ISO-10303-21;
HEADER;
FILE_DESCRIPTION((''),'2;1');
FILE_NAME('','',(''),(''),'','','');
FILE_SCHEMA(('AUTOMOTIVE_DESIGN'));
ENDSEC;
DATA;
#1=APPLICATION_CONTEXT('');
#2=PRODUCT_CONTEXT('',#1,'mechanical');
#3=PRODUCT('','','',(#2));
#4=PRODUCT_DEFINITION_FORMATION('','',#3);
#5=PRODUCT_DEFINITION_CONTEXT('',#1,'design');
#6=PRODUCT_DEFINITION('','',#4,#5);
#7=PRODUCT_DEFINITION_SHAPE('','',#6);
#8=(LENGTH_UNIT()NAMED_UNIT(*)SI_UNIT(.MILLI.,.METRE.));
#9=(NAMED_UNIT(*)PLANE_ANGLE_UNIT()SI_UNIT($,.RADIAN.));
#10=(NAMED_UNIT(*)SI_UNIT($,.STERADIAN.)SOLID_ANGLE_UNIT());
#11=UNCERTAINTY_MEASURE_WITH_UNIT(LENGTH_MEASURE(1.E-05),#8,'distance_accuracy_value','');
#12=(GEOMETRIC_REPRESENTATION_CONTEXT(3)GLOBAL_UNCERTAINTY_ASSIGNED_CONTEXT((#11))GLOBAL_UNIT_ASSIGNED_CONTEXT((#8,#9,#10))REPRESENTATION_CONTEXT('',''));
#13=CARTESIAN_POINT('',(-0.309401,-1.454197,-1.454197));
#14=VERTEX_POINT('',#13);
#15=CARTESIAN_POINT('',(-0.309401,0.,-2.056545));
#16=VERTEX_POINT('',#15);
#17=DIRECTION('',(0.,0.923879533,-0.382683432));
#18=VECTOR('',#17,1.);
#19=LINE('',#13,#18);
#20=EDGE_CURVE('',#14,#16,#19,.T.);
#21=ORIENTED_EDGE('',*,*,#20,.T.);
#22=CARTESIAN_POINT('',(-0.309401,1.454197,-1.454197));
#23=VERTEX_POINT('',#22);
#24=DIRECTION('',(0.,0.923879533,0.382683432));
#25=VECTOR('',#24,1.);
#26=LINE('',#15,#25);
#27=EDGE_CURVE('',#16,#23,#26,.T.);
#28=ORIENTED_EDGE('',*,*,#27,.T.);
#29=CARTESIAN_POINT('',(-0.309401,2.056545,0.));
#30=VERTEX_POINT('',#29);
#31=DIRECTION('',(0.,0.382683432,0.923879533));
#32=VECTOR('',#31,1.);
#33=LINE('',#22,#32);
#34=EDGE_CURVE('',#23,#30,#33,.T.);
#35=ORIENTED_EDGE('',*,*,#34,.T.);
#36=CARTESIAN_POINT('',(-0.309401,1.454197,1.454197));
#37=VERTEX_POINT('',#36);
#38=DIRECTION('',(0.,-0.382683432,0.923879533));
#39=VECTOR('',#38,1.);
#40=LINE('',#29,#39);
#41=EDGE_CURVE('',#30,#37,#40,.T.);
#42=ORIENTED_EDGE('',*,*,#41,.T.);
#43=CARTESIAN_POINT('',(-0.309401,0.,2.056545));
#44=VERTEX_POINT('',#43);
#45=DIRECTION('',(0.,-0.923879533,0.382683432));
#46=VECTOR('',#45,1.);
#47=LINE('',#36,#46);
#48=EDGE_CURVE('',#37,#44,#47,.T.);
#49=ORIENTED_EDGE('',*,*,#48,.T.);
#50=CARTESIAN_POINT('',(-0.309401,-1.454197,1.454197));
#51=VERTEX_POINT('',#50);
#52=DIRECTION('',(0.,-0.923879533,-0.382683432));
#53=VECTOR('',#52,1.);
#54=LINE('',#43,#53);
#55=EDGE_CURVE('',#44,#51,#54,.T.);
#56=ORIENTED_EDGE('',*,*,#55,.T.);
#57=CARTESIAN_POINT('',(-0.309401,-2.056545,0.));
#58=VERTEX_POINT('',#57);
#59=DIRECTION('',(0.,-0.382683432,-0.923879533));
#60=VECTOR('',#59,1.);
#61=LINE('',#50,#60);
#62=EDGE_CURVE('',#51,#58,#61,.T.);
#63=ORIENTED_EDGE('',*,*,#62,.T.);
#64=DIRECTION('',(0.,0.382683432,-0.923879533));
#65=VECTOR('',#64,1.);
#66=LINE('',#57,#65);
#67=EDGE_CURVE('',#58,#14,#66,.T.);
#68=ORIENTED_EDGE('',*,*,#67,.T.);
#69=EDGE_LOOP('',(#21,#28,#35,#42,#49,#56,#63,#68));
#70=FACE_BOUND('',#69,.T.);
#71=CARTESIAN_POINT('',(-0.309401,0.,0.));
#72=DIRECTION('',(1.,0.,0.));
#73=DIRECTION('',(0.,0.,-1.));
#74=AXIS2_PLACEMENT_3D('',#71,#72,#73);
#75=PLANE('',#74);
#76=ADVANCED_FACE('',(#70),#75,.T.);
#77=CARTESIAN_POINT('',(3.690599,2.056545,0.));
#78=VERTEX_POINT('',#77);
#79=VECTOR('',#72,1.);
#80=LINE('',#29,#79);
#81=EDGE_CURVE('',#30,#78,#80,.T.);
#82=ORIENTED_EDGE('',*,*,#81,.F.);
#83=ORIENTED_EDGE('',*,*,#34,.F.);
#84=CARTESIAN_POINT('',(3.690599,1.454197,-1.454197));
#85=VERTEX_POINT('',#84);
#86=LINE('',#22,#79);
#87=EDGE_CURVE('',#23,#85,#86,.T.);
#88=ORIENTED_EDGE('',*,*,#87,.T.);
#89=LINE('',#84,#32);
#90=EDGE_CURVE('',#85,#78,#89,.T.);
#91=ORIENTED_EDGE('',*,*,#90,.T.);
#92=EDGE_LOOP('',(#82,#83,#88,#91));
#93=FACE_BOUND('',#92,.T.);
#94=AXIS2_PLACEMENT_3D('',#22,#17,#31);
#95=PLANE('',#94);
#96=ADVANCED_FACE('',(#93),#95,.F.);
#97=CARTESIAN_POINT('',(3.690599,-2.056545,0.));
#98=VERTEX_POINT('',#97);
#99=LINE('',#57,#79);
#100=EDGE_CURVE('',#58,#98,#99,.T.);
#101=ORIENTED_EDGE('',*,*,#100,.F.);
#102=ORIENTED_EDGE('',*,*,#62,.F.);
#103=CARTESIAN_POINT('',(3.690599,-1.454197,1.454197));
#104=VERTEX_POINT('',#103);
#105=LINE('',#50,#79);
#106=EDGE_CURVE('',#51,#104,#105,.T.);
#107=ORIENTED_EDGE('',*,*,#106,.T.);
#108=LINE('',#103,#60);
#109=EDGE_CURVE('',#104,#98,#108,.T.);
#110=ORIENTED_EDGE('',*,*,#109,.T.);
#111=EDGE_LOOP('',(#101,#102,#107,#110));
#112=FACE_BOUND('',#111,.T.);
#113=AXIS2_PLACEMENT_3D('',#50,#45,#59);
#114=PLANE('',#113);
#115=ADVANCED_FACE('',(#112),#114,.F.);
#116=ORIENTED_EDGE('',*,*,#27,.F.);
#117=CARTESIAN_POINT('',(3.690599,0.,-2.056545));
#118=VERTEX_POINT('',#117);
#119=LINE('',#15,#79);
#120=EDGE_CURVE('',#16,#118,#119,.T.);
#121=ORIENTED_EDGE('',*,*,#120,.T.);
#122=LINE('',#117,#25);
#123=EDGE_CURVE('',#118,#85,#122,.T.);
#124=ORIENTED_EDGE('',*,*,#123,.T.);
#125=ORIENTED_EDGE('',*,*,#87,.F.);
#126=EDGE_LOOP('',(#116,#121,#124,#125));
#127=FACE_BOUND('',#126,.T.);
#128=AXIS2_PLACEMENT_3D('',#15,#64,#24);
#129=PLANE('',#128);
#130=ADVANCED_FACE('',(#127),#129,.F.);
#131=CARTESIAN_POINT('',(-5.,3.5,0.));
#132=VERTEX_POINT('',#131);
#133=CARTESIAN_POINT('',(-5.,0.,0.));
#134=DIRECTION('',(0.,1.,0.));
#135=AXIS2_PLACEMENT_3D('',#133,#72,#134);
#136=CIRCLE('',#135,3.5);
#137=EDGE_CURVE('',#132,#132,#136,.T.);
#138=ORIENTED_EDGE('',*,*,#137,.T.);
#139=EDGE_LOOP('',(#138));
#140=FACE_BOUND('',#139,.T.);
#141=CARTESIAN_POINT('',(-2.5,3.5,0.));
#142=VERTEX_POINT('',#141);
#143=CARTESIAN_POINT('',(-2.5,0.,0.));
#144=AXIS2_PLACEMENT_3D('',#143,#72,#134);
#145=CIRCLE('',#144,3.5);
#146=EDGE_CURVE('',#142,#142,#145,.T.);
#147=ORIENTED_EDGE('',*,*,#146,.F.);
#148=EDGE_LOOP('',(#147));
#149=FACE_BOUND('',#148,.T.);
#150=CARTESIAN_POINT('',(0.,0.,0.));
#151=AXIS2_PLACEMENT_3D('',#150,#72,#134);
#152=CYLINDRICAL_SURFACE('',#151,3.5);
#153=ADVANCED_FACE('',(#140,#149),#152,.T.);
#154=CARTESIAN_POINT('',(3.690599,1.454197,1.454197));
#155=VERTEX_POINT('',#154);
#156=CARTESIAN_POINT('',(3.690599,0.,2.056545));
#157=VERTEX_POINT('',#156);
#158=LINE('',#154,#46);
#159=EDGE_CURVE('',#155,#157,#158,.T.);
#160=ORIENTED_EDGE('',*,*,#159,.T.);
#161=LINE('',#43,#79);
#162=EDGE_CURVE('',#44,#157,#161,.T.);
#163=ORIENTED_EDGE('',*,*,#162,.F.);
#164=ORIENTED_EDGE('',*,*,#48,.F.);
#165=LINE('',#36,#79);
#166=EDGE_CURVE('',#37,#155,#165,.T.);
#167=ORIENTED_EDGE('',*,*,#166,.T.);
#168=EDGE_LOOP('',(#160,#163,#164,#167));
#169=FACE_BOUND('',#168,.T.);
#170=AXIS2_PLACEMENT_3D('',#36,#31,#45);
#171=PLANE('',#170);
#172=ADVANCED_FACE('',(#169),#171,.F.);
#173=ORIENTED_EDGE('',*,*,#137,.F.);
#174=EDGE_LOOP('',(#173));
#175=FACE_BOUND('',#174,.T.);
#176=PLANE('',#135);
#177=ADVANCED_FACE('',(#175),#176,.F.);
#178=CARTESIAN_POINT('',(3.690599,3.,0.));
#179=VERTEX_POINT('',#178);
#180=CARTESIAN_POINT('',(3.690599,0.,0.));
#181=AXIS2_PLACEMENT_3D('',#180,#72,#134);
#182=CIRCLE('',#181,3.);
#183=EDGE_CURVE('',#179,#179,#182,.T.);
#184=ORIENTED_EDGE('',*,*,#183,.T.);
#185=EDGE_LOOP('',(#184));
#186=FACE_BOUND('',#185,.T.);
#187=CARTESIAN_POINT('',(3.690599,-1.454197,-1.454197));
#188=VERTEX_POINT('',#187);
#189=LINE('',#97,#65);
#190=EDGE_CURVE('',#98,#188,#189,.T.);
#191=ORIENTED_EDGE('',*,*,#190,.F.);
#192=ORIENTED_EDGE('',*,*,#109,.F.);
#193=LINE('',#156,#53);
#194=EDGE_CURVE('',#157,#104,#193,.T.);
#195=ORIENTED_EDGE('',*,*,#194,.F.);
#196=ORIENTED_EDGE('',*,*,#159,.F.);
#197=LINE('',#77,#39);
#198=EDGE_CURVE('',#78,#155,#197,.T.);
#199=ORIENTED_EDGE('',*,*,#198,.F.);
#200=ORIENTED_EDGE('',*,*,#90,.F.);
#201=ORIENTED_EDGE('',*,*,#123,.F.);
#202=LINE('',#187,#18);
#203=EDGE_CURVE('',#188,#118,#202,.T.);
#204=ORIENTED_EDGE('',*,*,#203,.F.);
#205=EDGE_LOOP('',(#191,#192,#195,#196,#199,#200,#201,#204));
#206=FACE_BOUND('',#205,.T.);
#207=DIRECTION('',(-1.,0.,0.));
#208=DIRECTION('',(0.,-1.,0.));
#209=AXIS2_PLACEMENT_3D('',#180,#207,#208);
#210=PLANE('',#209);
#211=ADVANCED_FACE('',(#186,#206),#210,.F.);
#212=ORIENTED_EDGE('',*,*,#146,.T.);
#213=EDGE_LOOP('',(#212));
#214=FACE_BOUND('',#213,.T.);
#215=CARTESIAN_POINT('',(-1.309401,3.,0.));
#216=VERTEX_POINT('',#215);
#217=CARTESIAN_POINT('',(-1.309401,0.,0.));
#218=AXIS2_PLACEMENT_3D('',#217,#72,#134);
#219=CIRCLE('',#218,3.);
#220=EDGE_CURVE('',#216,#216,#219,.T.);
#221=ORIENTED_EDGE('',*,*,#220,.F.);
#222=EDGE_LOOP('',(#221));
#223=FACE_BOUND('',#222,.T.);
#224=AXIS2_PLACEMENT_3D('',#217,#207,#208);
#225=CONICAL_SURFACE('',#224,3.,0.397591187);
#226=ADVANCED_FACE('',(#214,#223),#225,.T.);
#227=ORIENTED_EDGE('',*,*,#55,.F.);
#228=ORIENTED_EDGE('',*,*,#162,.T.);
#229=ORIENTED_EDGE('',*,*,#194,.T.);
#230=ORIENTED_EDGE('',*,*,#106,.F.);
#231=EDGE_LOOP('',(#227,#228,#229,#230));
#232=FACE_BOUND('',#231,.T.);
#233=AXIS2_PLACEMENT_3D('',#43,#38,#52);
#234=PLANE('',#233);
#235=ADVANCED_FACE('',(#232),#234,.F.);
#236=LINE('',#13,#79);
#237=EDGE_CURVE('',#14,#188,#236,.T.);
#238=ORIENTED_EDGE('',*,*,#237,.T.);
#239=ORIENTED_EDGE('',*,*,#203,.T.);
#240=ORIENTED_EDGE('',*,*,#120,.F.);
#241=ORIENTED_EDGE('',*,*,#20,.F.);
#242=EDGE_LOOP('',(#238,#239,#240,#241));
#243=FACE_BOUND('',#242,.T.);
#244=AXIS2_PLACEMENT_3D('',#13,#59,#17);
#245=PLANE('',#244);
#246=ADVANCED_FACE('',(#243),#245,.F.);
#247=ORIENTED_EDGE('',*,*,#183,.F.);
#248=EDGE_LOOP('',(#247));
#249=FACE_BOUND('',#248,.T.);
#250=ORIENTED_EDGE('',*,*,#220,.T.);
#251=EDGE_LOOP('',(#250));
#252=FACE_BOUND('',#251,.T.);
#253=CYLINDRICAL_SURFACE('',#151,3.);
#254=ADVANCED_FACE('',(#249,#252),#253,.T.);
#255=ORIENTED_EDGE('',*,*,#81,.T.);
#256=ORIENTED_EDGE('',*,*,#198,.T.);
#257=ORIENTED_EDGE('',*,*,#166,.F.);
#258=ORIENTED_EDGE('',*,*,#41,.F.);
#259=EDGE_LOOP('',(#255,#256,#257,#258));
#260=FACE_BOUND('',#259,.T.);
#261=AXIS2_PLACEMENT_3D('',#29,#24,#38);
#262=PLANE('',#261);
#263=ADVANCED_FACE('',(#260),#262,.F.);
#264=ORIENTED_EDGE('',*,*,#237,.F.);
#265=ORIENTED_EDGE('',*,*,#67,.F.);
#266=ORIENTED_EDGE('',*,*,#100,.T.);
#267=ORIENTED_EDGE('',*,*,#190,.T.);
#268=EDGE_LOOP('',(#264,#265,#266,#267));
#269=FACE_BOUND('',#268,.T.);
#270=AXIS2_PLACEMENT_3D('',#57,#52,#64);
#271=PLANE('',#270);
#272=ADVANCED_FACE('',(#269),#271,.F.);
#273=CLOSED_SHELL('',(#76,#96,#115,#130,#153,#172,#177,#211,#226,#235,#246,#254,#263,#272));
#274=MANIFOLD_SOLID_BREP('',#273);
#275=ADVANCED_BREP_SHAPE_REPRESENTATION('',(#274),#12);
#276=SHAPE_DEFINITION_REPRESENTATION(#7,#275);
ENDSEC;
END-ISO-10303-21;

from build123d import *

# Parameters (mm, degrees)
CUT_EXTRUDE2_DEPTH = 4


with BuildPart() as part:
    # Sketch4 → Revolve4 (revolve)
    with BuildSketch(Plane.XY):
        Polygon((-5, 0), (0, 0), (3.690598923, 0), (3.690598923, 3), (0, 3), (-1.309401077, 3), (-2.5, 3.5), (-5, 3.5), align=None)
    revolve(axis=Axis((0, 0, 0), (-1, 0, 0)))

    # Sketch6 → Cut-Extrude2 (cut)
    with BuildSketch(Plane(origin=(3.690598923, 0, 0), x_dir=(0, 0, -1), z_dir=(1, 0, 0))):
        Polygon((-2.056545181, 0), (-1.454197043, -1.454197043), (0, -2.056545181), (1.454197043, -1.454197043), (2.056545181, 0), (1.454197043, 1.454197043), (0, 2.056545181), (-1.454197043, 1.454197043), align=None)
    extrude(amount=-CUT_EXTRUDE2_DEPTH, mode=Mode.SUBTRACT)


solid = part.part
